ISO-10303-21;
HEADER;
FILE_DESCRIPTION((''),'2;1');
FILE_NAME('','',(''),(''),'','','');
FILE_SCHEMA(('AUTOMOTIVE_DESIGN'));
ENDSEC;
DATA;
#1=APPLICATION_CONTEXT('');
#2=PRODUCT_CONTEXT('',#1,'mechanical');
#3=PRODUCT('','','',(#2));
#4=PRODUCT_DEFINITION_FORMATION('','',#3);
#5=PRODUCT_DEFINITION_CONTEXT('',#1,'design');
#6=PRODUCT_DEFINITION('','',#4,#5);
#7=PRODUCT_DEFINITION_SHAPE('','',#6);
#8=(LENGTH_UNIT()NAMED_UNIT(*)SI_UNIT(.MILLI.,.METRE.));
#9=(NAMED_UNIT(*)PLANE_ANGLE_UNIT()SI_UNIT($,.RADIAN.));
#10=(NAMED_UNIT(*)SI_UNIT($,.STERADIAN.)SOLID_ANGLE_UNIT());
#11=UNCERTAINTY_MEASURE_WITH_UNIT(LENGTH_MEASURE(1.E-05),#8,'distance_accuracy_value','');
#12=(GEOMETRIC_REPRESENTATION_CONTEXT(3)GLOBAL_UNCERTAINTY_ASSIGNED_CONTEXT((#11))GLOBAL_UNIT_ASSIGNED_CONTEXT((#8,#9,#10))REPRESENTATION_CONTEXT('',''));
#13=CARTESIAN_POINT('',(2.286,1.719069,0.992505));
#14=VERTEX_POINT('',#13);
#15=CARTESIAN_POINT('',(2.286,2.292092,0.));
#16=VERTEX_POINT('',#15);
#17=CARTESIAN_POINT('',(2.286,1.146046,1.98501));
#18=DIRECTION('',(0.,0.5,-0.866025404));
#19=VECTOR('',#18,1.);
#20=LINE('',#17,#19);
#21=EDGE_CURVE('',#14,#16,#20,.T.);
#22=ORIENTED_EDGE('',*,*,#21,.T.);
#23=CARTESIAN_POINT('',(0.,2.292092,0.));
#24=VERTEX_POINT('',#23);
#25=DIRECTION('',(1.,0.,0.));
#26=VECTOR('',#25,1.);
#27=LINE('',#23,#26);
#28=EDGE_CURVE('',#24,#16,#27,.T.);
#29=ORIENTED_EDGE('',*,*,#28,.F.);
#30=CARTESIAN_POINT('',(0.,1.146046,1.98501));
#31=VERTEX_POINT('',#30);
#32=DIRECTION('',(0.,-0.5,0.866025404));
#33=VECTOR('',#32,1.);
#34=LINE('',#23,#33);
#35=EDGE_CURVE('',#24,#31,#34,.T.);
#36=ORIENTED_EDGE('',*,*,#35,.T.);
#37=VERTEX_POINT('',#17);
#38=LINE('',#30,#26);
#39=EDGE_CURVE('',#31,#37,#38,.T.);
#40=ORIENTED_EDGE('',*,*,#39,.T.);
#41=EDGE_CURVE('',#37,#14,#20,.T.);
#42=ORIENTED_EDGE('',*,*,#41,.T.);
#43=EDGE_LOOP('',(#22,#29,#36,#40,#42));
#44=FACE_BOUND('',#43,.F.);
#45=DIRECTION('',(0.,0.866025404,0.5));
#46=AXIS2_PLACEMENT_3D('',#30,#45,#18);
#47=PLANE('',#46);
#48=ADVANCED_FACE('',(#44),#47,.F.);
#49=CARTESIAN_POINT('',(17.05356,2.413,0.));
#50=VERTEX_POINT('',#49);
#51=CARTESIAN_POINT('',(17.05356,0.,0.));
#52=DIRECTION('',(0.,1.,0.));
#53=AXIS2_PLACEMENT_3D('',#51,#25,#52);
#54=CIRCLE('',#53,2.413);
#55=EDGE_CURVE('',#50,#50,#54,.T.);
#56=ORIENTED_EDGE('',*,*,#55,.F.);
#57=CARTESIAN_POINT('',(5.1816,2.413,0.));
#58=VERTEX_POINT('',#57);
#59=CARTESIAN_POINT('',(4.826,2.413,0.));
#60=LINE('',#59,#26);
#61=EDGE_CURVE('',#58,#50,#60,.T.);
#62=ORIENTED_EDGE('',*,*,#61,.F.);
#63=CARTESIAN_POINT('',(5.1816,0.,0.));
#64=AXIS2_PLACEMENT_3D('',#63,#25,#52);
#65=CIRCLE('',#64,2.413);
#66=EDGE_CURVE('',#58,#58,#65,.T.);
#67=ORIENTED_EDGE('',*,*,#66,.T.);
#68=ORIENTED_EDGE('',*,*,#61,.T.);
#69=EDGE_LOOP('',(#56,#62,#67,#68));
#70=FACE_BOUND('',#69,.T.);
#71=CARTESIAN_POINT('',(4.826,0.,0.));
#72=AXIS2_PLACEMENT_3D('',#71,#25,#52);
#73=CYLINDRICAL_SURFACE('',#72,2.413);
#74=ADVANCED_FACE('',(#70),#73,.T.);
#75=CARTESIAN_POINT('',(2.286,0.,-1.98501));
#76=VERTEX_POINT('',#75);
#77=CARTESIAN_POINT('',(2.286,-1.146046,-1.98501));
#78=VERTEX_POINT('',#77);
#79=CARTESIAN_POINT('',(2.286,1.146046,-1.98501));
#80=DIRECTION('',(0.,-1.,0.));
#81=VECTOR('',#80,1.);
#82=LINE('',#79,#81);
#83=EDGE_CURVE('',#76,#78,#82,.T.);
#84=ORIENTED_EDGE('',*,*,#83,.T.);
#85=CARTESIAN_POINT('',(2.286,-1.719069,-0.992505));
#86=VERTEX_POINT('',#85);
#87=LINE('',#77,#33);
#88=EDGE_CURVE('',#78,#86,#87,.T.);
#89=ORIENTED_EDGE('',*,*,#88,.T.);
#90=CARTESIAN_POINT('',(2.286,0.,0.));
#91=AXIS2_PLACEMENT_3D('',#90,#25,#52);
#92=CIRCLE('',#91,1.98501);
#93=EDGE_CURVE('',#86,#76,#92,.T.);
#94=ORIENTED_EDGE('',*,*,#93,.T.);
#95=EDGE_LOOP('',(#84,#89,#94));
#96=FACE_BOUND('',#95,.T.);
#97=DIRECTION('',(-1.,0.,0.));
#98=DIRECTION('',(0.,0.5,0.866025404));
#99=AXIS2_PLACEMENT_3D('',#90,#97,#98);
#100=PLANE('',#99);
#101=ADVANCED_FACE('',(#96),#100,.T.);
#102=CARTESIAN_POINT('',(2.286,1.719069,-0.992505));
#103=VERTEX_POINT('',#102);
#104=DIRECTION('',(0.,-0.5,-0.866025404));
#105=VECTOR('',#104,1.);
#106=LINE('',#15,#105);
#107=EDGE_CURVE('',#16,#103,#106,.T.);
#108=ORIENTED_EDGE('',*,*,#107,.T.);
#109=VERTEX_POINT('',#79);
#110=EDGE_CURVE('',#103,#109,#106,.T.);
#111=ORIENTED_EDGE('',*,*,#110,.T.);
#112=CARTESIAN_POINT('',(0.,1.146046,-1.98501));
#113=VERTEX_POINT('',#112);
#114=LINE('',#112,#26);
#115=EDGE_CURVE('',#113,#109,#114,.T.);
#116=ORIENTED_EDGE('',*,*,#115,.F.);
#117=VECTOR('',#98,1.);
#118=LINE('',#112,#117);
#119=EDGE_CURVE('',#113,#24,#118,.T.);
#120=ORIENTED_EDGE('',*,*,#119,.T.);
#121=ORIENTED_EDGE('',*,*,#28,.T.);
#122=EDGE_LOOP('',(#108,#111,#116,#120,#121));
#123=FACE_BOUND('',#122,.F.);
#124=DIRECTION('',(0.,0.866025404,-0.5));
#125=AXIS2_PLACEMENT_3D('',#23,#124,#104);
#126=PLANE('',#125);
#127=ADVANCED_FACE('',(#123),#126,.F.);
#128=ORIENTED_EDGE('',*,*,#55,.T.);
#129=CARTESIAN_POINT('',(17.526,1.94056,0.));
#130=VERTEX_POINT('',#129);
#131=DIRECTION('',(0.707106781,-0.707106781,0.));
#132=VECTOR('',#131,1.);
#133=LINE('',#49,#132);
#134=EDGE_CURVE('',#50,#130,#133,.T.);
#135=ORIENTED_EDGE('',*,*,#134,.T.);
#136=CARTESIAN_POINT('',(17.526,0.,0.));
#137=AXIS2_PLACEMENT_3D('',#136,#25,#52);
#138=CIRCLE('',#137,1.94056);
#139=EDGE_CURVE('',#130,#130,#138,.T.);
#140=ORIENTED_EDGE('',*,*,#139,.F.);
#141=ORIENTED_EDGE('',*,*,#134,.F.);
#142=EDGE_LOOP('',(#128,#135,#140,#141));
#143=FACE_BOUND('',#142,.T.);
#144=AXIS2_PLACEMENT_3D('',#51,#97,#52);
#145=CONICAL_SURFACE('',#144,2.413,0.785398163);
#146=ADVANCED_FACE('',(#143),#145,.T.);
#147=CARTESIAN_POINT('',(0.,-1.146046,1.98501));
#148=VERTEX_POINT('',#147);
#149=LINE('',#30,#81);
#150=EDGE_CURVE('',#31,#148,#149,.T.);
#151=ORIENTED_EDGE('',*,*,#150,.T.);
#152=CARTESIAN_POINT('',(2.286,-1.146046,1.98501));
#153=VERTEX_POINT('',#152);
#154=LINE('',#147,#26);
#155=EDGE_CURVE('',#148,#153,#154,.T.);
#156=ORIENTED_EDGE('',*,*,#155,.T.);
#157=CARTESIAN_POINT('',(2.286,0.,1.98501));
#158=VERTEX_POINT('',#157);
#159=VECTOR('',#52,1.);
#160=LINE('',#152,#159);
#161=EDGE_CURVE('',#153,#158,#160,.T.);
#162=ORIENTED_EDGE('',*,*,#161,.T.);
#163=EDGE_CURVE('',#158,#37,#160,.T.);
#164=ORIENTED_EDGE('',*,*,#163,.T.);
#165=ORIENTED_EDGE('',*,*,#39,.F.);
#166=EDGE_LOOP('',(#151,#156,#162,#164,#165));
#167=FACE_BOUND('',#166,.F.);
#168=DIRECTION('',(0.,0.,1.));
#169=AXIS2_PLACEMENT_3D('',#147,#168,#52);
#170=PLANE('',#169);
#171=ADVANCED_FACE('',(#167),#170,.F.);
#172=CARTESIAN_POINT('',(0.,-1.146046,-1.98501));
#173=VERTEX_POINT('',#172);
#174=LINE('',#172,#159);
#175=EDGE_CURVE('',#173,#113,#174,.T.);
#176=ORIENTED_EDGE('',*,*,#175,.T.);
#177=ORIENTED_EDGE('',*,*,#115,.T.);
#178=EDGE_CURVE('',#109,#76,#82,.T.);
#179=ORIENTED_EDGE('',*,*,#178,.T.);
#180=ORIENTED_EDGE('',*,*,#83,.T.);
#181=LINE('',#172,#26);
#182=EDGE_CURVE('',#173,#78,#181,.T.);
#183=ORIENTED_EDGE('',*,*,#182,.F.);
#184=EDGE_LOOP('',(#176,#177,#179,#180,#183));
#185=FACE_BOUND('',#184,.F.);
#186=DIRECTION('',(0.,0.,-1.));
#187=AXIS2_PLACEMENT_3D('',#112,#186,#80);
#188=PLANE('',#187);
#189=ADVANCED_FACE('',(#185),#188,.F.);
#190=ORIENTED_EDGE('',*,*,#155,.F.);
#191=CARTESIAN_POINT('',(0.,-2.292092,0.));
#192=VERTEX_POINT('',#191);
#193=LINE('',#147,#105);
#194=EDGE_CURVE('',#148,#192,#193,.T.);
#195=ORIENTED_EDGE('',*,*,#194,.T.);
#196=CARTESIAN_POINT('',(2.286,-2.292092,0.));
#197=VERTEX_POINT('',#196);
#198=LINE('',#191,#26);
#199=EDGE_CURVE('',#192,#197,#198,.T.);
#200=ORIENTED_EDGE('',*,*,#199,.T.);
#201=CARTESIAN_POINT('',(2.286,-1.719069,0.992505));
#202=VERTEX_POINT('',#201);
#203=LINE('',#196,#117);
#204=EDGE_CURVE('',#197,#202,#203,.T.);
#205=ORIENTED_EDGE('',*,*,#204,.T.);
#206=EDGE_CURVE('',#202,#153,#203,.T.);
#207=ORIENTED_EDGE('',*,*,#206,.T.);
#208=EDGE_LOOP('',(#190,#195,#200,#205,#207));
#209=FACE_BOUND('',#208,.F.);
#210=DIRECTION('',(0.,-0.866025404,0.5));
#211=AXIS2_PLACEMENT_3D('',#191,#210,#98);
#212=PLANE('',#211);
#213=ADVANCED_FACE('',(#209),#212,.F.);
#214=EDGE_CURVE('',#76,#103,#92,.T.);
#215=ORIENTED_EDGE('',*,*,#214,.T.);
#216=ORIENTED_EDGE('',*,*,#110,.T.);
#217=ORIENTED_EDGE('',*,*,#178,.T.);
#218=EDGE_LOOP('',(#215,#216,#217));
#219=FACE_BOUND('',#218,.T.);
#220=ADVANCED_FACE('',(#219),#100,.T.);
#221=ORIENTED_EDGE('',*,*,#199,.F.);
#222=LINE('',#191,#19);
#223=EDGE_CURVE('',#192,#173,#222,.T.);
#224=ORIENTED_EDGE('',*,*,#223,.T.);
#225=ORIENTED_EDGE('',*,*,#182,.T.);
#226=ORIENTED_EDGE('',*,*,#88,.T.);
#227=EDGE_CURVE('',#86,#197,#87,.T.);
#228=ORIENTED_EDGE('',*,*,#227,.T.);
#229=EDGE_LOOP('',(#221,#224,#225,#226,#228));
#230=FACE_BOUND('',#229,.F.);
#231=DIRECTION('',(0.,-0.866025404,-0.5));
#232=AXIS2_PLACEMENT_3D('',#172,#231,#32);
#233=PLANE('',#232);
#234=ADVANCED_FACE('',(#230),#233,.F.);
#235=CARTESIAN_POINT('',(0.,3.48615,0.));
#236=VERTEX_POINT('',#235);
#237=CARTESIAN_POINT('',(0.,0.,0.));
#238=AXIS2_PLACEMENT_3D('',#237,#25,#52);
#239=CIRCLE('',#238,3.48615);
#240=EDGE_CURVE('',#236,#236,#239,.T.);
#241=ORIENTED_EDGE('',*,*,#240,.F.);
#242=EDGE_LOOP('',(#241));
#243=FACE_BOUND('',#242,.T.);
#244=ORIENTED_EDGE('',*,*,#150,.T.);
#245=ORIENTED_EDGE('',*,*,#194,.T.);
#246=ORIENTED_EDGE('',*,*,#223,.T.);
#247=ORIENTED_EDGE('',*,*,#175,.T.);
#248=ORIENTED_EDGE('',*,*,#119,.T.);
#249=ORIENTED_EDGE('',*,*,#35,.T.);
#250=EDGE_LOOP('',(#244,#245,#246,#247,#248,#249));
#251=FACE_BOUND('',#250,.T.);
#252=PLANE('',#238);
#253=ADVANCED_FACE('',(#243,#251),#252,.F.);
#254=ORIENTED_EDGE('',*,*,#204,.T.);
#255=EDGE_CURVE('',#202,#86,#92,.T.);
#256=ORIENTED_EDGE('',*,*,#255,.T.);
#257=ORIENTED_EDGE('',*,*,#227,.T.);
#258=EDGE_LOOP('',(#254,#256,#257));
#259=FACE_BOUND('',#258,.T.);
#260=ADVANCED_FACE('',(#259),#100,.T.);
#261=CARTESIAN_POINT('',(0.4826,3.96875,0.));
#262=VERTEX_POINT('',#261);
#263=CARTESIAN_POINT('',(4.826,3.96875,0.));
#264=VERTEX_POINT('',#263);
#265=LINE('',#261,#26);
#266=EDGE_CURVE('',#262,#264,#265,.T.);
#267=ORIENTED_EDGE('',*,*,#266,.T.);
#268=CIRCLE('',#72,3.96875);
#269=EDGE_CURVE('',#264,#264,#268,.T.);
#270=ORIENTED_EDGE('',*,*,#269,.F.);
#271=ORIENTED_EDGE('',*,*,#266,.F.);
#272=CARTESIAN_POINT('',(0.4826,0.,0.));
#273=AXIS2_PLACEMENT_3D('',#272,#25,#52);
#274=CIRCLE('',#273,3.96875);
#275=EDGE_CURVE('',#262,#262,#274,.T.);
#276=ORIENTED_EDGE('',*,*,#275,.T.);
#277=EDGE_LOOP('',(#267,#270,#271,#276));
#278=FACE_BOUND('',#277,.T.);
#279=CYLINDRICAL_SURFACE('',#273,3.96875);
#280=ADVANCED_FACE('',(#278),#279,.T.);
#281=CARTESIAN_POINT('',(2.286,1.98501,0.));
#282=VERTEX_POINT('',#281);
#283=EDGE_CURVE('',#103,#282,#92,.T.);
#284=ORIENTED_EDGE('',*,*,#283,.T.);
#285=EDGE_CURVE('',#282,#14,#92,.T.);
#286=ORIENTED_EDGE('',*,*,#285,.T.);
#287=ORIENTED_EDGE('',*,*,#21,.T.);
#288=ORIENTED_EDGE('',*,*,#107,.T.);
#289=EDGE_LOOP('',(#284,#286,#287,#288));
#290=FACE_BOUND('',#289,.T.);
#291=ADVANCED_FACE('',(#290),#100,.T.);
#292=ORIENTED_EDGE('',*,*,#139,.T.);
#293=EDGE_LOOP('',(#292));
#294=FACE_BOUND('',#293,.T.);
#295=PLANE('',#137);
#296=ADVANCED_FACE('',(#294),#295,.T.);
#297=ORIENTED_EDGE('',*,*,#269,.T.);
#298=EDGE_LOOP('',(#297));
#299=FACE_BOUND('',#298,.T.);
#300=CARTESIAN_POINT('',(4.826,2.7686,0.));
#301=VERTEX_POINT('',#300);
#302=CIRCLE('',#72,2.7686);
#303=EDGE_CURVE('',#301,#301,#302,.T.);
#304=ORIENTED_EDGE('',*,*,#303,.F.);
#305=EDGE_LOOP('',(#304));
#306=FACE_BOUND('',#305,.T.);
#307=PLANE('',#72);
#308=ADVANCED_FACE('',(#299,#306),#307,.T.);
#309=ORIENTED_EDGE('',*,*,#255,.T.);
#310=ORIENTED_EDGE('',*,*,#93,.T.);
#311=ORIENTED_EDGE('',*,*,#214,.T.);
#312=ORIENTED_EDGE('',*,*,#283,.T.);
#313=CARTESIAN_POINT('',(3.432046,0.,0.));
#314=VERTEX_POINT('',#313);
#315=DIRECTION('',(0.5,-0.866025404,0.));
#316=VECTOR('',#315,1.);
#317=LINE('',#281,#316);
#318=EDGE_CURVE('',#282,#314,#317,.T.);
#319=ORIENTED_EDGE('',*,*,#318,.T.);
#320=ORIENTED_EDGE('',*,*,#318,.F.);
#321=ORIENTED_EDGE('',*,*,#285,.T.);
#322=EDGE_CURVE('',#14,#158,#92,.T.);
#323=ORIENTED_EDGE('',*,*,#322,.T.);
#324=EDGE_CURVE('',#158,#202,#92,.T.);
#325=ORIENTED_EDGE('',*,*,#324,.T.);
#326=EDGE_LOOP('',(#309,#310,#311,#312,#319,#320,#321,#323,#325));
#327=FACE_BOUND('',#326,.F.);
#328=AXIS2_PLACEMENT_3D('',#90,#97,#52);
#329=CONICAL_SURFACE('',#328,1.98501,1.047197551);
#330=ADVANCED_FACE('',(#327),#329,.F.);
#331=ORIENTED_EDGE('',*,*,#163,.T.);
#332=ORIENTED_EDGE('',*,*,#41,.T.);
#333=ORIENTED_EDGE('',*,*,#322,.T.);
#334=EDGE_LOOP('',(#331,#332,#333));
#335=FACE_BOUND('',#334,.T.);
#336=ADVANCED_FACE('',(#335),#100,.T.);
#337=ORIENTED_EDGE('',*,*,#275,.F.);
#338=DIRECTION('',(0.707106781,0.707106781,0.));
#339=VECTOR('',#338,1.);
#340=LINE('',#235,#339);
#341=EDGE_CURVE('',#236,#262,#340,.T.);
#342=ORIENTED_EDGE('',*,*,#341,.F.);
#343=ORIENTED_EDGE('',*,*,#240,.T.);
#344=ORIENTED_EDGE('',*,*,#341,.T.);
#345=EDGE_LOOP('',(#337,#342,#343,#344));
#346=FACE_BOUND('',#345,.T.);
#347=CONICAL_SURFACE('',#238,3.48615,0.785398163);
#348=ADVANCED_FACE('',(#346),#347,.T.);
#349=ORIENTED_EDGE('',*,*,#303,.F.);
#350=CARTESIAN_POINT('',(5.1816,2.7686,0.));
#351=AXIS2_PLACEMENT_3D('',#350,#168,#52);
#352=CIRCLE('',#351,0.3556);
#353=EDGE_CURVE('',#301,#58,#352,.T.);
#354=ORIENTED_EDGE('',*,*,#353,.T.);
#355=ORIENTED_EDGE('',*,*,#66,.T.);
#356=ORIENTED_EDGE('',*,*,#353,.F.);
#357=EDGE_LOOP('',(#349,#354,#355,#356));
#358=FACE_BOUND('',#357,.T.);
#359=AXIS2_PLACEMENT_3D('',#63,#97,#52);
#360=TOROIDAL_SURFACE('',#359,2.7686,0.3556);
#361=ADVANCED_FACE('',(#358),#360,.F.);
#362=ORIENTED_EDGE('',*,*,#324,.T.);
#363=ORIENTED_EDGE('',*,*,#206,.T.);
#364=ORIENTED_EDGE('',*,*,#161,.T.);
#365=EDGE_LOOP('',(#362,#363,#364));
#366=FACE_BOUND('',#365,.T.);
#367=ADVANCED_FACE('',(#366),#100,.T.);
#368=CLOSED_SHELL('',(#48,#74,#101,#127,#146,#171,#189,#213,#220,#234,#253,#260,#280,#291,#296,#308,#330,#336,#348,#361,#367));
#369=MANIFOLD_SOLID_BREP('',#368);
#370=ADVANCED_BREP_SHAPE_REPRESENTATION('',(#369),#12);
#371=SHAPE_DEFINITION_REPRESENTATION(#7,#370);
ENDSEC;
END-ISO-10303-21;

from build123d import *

# Parameters (mm, degrees)
FILLET1_R   = 0.3556
HEX_2_DEPTH = 2.286


with BuildPart() as part:
    # BodySke → Base-Revolve (revolve)
    with BuildSketch(Plane.XY):
        Polygon((0, 0), (0, 3.48615), (0.4826, 3.96875), (4.826, 3.96875), (4.826, 2.413), (17.05356, 2.413), (17.526, 1.94056), (17.526, 0), align=None)
    revolve(axis=Axis((-31.75, 0, 0), (1, 0, 0)))

    # Fillet1
    fillet1_edges = [part.edges().sort_by_distance(p)[0] for p in [
        (4.826, -2.413, 0),
    ]]
    fillet(fillet1_edges, radius=FILLET1_R)

    # Sketch2 → Hex-PreBroach (revolve, cut)
    with BuildSketch(Plane.XY):
        Polygon((0, 1.98501), (2.286, 1.98501), (3.432046058, 0), (0, 0), align=None)
    revolve(axis=Axis((0, 0, 0), (1, 0, 0)), mode=Mode.SUBTRACT)

    # Sketch3 → Hex 2 (cut)
    with BuildSketch(Plane(origin=(0, 0, 0), x_dir=(0, 0.5, 0.866025404), z_dir=(-1, 0, 0))):
        Polygon((1.146046058, 1.98501), (-1.146046058, 1.98501), (-2.292092116, 0), (-1.146046058, -1.98501), (1.146046058, -1.98501), (2.292092116, 0), align=None)
    extrude(amount=-HEX_2_DEPTH, mode=Mode.SUBTRACT)


solid = part.part
